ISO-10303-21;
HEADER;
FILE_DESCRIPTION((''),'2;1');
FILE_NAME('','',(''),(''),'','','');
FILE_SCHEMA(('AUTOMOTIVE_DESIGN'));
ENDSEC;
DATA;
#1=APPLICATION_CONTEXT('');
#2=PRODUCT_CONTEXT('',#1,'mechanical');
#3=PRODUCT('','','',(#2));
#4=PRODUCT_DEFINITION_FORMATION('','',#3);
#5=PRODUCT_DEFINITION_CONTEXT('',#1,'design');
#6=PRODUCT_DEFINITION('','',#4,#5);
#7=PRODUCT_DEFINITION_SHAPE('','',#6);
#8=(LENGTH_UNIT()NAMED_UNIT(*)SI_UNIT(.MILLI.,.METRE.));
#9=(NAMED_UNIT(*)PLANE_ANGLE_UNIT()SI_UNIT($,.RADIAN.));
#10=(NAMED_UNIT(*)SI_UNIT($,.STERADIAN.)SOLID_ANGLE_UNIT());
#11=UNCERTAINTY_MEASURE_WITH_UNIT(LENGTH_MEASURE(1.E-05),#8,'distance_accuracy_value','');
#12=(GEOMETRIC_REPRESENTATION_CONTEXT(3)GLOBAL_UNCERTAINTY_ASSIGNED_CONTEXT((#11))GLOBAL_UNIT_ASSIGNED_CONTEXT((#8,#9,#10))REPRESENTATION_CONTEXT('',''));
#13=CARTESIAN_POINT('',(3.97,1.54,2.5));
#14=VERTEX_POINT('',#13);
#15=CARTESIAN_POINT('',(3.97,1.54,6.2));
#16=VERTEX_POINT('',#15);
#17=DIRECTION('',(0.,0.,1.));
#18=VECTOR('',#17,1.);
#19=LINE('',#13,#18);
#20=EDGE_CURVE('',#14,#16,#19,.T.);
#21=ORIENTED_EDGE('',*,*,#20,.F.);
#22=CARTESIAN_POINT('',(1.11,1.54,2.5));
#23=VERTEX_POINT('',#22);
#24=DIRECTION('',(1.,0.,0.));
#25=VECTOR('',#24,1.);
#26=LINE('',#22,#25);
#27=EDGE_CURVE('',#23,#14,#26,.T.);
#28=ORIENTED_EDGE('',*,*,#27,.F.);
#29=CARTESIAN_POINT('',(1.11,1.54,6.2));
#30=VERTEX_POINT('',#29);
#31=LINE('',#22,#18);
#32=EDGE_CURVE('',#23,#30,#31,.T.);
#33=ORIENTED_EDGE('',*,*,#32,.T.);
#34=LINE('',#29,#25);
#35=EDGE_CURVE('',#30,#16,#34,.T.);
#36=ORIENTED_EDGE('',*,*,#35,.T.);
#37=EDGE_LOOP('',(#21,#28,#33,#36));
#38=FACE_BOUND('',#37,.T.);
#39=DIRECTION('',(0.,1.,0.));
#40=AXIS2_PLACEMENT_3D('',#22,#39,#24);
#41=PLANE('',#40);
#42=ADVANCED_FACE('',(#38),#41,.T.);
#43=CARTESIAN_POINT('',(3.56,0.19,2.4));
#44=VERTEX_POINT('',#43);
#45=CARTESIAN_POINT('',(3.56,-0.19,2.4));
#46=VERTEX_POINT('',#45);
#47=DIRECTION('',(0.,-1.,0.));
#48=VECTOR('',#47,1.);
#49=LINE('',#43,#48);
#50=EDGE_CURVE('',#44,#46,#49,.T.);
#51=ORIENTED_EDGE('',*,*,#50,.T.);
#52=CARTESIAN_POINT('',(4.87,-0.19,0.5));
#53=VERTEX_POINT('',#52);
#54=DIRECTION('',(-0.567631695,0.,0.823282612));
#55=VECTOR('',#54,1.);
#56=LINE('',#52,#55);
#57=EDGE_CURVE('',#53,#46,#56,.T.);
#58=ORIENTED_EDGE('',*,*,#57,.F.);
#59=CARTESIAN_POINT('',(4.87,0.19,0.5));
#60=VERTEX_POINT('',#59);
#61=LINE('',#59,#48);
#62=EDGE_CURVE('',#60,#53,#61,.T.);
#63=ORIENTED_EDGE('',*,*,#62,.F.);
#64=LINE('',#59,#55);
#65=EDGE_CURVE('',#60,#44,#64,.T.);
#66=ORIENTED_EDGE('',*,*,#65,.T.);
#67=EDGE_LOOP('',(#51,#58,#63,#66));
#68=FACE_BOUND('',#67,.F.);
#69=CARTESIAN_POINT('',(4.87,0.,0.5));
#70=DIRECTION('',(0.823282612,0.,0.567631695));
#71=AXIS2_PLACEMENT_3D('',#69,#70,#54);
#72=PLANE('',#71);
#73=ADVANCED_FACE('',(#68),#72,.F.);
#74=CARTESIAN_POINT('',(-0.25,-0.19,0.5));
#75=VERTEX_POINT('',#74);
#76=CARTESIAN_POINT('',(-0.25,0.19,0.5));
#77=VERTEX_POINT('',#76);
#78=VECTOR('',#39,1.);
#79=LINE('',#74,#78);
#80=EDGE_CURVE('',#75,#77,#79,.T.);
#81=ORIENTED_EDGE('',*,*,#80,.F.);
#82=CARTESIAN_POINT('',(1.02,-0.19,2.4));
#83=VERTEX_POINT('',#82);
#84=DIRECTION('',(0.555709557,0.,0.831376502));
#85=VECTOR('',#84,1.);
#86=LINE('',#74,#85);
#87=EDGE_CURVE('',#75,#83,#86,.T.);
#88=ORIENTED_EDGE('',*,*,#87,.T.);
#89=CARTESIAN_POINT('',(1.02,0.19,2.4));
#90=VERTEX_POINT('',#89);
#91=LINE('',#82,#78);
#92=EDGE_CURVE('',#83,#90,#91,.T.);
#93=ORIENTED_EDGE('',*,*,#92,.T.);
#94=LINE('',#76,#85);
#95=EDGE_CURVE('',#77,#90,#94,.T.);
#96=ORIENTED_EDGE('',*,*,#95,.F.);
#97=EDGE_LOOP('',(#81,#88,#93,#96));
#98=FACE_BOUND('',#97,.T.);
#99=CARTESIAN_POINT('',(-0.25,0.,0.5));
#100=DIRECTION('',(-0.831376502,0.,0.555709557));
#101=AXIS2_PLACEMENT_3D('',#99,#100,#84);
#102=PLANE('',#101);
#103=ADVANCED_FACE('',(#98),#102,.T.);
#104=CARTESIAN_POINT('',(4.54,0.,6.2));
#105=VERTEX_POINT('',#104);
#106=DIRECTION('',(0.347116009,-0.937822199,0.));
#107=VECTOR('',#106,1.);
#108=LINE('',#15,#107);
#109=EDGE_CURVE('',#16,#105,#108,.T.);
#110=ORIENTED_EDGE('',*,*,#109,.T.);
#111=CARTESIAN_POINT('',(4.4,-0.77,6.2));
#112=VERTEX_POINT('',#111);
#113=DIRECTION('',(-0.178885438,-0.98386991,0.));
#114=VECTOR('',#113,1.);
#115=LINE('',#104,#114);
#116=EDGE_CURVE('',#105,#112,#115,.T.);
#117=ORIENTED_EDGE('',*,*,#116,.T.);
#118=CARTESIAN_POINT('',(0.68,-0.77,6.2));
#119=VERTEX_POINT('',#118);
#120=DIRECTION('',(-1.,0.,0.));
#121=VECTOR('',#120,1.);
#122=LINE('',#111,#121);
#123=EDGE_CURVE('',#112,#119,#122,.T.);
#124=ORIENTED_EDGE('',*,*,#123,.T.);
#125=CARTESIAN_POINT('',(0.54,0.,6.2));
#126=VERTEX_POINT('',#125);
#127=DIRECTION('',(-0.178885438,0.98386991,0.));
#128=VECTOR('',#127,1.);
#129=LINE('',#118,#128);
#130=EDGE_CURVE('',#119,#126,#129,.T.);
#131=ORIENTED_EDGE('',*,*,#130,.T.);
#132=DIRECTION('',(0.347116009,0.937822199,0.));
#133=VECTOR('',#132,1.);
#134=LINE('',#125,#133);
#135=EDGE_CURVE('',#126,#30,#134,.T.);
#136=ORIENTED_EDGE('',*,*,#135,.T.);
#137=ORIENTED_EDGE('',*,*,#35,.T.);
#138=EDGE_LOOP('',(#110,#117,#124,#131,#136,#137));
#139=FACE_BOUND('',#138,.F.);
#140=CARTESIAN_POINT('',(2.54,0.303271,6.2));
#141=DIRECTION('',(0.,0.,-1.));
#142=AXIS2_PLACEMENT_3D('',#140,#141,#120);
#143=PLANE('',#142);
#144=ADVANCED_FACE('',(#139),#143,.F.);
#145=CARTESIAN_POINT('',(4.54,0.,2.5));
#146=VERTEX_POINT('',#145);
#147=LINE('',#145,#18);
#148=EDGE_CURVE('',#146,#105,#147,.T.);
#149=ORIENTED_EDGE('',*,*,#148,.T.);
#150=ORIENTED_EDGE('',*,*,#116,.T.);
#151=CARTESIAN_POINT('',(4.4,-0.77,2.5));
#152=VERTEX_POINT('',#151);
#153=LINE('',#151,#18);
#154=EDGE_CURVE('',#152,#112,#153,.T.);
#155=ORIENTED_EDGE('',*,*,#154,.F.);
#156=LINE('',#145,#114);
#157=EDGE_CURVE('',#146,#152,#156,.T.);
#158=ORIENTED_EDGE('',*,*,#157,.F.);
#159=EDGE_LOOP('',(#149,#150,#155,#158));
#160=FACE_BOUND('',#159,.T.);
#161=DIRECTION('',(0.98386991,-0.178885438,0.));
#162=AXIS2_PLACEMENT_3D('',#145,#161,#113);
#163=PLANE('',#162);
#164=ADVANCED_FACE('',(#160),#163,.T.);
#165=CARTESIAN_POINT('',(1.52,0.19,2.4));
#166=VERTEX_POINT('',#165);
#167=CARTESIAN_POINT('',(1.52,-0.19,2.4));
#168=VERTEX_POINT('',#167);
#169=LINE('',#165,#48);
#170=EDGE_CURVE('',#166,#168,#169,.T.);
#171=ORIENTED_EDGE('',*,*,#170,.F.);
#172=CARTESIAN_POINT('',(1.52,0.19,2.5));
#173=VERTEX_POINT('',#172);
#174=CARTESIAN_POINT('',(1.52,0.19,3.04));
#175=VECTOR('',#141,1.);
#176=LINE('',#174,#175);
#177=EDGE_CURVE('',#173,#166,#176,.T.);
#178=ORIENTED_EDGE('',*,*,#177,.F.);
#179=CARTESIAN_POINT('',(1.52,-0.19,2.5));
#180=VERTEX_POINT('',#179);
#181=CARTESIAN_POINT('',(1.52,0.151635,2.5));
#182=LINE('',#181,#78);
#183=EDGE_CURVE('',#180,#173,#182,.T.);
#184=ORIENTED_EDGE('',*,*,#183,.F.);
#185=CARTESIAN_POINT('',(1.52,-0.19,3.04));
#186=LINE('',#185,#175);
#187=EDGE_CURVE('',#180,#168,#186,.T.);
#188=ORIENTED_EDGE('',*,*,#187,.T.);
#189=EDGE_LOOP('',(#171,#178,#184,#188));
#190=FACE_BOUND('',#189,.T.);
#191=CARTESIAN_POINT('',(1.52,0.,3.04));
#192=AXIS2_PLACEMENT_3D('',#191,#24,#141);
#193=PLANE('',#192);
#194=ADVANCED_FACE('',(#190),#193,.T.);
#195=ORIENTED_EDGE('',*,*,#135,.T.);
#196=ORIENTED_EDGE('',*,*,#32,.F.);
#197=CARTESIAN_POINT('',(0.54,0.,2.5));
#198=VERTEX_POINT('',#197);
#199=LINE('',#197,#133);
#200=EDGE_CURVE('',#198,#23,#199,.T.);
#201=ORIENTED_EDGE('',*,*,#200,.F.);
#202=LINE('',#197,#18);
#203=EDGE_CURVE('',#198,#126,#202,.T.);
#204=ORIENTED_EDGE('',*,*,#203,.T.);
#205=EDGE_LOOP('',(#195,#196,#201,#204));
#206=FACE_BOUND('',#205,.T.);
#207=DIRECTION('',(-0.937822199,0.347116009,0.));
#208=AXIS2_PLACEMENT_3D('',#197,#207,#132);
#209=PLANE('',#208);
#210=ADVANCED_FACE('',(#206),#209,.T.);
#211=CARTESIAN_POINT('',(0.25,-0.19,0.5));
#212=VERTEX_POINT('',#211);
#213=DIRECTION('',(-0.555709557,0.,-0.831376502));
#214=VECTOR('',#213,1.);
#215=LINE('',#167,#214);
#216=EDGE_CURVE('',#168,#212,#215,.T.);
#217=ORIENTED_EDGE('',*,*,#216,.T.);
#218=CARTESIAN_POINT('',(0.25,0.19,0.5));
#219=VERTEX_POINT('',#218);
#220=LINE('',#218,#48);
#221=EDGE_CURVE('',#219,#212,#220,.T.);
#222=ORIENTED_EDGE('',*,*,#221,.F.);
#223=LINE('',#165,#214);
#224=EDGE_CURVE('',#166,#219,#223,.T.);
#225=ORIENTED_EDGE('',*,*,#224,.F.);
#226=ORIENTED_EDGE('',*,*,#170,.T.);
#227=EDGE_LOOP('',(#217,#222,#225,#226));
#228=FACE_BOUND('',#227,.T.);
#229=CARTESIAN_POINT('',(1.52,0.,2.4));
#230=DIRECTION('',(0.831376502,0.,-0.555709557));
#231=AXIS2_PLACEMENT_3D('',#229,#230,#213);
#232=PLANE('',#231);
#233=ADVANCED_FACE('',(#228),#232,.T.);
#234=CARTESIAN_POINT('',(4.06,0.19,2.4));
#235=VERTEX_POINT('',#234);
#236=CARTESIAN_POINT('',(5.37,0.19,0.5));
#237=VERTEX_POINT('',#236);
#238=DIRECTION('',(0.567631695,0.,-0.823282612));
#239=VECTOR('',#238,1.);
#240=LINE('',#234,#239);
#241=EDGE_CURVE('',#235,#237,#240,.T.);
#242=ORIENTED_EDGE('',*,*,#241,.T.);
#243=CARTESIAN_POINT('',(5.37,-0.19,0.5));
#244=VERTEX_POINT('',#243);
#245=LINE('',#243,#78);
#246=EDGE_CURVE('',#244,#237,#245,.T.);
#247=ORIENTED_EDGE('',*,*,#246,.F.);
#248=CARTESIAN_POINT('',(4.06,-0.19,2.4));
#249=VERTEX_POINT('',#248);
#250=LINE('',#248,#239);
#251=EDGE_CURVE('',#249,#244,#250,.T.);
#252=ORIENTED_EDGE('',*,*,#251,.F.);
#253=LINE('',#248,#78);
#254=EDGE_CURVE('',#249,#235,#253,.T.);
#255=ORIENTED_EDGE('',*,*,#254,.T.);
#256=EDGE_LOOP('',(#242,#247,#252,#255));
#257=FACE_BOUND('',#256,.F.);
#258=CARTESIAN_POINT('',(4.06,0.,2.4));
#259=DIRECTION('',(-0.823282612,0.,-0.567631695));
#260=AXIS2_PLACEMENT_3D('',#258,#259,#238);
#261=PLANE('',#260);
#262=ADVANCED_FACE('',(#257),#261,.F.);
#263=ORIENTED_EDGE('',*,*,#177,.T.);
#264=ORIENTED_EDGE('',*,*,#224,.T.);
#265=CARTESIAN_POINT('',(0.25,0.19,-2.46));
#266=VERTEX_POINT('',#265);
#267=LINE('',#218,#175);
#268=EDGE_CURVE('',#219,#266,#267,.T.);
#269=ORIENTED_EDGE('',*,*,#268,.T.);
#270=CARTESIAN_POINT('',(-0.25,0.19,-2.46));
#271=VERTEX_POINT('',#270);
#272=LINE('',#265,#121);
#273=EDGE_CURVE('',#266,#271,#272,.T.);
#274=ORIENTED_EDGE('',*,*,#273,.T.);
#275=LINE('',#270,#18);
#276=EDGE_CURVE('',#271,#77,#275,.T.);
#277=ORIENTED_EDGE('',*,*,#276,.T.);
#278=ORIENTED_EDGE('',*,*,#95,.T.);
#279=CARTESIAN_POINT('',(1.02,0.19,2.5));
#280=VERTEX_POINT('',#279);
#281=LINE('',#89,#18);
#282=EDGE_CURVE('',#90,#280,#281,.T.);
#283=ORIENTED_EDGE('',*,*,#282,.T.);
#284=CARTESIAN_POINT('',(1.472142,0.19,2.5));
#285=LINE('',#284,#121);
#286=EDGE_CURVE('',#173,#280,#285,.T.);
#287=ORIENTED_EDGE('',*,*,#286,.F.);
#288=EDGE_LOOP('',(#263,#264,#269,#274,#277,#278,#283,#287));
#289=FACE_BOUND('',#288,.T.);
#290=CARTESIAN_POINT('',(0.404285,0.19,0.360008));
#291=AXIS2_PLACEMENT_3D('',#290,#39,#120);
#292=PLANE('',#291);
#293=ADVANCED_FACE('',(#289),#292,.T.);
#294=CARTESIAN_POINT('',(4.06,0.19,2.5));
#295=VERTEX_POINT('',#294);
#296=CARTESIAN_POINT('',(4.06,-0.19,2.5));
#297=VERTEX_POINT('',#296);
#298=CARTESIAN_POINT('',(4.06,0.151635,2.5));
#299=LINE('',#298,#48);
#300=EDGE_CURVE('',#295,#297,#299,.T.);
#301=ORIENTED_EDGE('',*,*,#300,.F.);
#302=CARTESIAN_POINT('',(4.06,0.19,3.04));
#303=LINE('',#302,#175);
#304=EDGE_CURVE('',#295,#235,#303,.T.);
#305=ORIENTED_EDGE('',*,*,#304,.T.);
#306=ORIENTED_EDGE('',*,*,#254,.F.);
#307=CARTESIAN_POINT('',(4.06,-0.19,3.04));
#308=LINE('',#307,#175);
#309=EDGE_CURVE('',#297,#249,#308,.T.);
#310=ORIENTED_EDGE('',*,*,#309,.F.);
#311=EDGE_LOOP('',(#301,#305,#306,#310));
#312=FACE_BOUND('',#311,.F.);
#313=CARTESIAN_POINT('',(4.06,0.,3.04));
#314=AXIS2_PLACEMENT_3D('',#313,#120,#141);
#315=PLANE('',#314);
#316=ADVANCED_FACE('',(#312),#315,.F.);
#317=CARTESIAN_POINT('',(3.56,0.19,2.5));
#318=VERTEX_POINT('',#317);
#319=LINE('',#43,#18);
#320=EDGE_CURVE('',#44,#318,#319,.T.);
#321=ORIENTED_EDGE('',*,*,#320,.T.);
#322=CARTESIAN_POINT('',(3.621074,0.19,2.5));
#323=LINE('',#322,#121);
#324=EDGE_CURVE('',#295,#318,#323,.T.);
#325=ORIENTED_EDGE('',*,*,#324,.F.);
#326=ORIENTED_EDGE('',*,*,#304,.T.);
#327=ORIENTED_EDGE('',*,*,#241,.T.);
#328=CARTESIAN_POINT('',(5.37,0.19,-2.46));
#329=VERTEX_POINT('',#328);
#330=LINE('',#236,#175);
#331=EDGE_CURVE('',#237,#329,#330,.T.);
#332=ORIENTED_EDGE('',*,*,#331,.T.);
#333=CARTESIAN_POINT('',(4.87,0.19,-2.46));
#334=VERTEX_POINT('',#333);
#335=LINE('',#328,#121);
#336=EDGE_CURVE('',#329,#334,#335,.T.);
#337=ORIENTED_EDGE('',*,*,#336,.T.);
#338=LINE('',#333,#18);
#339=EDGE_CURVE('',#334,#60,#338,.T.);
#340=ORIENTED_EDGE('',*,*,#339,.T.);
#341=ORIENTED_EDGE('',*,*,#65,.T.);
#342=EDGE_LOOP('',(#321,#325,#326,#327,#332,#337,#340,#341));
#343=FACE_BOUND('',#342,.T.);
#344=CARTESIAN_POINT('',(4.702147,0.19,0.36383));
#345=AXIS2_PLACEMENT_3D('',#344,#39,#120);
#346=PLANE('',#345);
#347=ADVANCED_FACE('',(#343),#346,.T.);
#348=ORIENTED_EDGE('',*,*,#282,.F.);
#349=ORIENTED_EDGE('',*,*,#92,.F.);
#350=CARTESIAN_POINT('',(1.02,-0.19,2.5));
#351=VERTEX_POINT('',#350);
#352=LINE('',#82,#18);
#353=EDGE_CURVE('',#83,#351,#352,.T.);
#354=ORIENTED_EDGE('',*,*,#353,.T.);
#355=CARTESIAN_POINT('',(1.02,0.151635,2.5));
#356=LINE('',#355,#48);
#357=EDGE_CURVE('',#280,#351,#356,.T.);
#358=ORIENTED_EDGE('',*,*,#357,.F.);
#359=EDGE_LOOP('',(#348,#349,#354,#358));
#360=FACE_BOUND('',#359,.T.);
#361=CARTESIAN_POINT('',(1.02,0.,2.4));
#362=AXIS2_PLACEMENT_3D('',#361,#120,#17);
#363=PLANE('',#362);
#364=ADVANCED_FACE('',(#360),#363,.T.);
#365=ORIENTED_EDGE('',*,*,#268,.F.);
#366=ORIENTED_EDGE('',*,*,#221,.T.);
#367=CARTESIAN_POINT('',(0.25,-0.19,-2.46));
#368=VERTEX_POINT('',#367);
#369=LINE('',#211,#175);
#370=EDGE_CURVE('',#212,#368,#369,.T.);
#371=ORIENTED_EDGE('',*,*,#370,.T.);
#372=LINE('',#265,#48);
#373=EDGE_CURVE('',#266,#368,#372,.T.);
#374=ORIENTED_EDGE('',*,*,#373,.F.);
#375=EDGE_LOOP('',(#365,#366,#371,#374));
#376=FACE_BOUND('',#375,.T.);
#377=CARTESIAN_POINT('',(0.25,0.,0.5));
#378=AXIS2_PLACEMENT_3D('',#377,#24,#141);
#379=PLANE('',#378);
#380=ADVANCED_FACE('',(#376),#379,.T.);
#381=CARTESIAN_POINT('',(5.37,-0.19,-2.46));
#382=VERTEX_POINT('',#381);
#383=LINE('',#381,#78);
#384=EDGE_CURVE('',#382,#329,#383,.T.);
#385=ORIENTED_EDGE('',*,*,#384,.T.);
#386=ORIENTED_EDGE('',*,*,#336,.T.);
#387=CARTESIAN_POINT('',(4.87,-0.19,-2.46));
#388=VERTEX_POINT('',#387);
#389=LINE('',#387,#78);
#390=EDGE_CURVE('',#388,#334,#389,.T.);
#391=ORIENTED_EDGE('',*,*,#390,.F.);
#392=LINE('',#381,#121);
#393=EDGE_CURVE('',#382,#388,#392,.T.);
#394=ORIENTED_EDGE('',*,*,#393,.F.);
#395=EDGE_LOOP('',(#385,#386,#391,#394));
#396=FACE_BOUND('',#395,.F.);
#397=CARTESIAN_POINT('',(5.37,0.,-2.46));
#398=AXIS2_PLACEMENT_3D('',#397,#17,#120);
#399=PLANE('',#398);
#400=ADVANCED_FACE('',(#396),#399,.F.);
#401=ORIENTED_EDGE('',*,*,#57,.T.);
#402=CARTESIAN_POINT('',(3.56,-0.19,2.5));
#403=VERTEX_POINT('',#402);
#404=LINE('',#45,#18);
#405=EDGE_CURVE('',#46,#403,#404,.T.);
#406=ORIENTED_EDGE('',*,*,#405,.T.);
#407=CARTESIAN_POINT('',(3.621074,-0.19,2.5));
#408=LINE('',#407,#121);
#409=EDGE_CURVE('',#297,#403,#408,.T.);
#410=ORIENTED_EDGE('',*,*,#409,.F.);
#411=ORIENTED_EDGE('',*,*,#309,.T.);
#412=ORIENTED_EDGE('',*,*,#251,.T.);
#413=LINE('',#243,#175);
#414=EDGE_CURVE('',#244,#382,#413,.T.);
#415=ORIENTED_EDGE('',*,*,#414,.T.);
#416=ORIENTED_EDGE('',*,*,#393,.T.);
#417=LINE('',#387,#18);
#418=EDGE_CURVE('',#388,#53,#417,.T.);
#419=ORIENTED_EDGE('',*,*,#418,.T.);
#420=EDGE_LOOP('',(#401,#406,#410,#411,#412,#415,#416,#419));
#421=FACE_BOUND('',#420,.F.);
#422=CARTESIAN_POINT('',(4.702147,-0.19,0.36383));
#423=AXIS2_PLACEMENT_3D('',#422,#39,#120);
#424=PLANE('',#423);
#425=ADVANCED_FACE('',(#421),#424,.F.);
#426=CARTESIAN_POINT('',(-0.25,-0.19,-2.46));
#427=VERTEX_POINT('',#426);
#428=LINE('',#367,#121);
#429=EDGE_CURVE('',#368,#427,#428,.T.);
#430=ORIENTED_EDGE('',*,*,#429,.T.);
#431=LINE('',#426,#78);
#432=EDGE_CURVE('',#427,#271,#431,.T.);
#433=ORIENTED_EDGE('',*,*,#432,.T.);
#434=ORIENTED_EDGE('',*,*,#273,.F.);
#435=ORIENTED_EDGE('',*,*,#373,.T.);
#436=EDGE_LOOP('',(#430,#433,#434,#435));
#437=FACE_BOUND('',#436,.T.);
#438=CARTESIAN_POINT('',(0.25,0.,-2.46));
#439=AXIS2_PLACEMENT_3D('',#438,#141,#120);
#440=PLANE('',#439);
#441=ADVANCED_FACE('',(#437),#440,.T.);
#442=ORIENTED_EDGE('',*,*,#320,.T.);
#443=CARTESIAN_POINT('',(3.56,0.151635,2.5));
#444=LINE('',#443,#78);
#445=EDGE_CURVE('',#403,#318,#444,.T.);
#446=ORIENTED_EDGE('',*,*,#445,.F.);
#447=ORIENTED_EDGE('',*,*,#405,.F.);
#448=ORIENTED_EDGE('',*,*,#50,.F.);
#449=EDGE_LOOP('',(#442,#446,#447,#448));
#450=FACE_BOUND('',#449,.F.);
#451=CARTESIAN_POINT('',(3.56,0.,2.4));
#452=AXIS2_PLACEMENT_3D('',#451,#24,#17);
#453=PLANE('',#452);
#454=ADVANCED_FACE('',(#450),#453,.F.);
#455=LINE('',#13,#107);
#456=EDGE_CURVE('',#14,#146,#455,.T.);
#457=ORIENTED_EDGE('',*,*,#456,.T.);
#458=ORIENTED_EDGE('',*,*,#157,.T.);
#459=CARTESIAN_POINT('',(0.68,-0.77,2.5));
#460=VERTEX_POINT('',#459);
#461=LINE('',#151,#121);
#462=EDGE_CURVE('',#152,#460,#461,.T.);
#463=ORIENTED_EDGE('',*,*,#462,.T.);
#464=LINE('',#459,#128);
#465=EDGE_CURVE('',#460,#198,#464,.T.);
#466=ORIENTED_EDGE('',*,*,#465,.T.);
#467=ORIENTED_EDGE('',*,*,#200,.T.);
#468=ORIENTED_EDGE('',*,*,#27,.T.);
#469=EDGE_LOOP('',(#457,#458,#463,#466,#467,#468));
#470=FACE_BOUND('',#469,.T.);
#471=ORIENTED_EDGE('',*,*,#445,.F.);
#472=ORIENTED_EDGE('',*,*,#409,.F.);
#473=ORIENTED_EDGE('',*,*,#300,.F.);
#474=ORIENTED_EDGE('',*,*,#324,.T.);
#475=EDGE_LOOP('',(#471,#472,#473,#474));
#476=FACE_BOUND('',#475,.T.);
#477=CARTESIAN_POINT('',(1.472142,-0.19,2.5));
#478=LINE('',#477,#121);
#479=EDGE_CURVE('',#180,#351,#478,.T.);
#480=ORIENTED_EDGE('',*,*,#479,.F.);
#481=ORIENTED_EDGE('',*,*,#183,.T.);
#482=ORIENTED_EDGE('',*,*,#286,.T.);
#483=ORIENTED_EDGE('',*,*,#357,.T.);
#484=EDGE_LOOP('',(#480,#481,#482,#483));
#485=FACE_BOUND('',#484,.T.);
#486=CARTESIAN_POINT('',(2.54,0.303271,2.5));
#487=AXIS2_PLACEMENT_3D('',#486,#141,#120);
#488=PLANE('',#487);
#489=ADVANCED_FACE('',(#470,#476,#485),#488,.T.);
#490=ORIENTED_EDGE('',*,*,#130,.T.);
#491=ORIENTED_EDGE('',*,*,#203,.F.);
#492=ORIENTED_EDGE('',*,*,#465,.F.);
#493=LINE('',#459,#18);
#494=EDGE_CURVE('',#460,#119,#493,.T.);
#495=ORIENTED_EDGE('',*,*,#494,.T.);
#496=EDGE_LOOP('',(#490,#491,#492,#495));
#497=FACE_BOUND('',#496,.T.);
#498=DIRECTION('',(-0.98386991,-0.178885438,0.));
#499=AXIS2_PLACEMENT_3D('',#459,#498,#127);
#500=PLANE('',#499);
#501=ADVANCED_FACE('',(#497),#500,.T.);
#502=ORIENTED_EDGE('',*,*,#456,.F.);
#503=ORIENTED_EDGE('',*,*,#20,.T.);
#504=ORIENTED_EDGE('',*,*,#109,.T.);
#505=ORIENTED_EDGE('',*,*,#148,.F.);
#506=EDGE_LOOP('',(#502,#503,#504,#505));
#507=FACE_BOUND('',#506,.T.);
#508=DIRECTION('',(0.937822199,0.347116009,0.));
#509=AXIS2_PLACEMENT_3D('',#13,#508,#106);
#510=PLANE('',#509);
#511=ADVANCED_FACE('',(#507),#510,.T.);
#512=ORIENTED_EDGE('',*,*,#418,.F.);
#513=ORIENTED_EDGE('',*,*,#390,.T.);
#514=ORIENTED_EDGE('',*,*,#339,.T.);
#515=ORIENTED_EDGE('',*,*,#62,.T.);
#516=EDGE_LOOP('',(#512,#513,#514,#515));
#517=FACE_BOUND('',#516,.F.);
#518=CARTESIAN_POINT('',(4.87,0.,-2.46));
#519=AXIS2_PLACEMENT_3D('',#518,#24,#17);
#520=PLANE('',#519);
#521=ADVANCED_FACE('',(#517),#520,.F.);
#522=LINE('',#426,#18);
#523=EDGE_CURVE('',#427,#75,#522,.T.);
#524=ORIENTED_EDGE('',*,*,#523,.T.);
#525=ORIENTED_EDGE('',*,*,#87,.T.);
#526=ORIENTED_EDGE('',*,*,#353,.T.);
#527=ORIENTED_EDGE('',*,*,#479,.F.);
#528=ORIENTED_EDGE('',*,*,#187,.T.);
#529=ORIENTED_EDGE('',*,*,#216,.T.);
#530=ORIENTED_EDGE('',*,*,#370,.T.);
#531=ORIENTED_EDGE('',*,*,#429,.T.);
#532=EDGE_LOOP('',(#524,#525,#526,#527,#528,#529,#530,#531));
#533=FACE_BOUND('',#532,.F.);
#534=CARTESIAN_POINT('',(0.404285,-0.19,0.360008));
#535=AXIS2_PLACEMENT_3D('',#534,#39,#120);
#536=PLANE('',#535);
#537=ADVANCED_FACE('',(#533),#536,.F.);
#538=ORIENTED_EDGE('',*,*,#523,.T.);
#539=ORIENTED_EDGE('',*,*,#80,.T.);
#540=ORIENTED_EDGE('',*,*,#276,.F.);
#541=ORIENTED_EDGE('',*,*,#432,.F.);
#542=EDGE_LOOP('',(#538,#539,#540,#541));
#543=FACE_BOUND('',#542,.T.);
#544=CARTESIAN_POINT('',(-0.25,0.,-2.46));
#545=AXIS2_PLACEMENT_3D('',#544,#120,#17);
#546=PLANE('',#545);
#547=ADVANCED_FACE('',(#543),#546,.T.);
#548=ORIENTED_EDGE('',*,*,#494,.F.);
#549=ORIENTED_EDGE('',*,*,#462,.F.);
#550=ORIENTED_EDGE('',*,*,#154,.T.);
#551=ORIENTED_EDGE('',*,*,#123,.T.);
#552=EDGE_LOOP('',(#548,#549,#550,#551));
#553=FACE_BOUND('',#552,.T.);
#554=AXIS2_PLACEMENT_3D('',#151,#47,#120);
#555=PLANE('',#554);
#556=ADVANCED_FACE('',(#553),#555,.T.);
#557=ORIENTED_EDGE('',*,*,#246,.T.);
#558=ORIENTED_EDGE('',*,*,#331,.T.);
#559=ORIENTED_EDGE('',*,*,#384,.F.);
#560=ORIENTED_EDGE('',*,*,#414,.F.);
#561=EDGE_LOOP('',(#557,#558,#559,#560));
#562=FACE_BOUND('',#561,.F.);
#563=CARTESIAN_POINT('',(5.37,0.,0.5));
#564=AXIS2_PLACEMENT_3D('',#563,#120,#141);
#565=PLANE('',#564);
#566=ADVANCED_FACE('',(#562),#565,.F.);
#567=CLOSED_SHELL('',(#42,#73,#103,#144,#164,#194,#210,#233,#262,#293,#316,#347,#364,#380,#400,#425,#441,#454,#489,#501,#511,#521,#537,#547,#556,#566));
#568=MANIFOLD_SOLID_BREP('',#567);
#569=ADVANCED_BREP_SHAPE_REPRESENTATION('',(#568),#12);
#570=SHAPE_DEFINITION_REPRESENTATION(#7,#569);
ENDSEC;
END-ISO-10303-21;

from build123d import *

# Parameters (mm, degrees)
PAD_DEPTH    = 3.7
PAD001_DEPTH = 0.19


with BuildPart() as pad:
    # Sketch → Pad (new body)
    with BuildSketch(Plane.XY.offset(2.5)):
        Polygon((1.11, 1.54), (3.97, 1.54), (4.54, 0), (4.4, -0.77), (0.68, -0.77), (0.54, 0), align=None)
    extrude(amount=PAD_DEPTH)


with BuildPart() as to_92s_2_wide:
    # Sketch001 → Pad001 (new body, symmetric)
    with BuildSketch(Plane.XZ):
        Polygon((0.25, -2.46), (-0.25, -2.46), (-0.25, 0.5), (1.02, 2.4), (1.02, 3.04), (1.52, 3.04), (1.52, 2.4), (0.25, 0.5), align=None)
        Polygon((3.56, 3.04), (4.06, 3.04), (4.06, 2.4), (5.37, 0.5), (5.37, -2.46), (4.87, -2.46), (4.87, 0.5), (3.56, 2.4), align=None)
    extrude(amount=PAD001_DEPTH, both=True)

    # Pad001_mp_cp: union Pad
    add(pad.part)


solid = to_92s_2_wide.part
